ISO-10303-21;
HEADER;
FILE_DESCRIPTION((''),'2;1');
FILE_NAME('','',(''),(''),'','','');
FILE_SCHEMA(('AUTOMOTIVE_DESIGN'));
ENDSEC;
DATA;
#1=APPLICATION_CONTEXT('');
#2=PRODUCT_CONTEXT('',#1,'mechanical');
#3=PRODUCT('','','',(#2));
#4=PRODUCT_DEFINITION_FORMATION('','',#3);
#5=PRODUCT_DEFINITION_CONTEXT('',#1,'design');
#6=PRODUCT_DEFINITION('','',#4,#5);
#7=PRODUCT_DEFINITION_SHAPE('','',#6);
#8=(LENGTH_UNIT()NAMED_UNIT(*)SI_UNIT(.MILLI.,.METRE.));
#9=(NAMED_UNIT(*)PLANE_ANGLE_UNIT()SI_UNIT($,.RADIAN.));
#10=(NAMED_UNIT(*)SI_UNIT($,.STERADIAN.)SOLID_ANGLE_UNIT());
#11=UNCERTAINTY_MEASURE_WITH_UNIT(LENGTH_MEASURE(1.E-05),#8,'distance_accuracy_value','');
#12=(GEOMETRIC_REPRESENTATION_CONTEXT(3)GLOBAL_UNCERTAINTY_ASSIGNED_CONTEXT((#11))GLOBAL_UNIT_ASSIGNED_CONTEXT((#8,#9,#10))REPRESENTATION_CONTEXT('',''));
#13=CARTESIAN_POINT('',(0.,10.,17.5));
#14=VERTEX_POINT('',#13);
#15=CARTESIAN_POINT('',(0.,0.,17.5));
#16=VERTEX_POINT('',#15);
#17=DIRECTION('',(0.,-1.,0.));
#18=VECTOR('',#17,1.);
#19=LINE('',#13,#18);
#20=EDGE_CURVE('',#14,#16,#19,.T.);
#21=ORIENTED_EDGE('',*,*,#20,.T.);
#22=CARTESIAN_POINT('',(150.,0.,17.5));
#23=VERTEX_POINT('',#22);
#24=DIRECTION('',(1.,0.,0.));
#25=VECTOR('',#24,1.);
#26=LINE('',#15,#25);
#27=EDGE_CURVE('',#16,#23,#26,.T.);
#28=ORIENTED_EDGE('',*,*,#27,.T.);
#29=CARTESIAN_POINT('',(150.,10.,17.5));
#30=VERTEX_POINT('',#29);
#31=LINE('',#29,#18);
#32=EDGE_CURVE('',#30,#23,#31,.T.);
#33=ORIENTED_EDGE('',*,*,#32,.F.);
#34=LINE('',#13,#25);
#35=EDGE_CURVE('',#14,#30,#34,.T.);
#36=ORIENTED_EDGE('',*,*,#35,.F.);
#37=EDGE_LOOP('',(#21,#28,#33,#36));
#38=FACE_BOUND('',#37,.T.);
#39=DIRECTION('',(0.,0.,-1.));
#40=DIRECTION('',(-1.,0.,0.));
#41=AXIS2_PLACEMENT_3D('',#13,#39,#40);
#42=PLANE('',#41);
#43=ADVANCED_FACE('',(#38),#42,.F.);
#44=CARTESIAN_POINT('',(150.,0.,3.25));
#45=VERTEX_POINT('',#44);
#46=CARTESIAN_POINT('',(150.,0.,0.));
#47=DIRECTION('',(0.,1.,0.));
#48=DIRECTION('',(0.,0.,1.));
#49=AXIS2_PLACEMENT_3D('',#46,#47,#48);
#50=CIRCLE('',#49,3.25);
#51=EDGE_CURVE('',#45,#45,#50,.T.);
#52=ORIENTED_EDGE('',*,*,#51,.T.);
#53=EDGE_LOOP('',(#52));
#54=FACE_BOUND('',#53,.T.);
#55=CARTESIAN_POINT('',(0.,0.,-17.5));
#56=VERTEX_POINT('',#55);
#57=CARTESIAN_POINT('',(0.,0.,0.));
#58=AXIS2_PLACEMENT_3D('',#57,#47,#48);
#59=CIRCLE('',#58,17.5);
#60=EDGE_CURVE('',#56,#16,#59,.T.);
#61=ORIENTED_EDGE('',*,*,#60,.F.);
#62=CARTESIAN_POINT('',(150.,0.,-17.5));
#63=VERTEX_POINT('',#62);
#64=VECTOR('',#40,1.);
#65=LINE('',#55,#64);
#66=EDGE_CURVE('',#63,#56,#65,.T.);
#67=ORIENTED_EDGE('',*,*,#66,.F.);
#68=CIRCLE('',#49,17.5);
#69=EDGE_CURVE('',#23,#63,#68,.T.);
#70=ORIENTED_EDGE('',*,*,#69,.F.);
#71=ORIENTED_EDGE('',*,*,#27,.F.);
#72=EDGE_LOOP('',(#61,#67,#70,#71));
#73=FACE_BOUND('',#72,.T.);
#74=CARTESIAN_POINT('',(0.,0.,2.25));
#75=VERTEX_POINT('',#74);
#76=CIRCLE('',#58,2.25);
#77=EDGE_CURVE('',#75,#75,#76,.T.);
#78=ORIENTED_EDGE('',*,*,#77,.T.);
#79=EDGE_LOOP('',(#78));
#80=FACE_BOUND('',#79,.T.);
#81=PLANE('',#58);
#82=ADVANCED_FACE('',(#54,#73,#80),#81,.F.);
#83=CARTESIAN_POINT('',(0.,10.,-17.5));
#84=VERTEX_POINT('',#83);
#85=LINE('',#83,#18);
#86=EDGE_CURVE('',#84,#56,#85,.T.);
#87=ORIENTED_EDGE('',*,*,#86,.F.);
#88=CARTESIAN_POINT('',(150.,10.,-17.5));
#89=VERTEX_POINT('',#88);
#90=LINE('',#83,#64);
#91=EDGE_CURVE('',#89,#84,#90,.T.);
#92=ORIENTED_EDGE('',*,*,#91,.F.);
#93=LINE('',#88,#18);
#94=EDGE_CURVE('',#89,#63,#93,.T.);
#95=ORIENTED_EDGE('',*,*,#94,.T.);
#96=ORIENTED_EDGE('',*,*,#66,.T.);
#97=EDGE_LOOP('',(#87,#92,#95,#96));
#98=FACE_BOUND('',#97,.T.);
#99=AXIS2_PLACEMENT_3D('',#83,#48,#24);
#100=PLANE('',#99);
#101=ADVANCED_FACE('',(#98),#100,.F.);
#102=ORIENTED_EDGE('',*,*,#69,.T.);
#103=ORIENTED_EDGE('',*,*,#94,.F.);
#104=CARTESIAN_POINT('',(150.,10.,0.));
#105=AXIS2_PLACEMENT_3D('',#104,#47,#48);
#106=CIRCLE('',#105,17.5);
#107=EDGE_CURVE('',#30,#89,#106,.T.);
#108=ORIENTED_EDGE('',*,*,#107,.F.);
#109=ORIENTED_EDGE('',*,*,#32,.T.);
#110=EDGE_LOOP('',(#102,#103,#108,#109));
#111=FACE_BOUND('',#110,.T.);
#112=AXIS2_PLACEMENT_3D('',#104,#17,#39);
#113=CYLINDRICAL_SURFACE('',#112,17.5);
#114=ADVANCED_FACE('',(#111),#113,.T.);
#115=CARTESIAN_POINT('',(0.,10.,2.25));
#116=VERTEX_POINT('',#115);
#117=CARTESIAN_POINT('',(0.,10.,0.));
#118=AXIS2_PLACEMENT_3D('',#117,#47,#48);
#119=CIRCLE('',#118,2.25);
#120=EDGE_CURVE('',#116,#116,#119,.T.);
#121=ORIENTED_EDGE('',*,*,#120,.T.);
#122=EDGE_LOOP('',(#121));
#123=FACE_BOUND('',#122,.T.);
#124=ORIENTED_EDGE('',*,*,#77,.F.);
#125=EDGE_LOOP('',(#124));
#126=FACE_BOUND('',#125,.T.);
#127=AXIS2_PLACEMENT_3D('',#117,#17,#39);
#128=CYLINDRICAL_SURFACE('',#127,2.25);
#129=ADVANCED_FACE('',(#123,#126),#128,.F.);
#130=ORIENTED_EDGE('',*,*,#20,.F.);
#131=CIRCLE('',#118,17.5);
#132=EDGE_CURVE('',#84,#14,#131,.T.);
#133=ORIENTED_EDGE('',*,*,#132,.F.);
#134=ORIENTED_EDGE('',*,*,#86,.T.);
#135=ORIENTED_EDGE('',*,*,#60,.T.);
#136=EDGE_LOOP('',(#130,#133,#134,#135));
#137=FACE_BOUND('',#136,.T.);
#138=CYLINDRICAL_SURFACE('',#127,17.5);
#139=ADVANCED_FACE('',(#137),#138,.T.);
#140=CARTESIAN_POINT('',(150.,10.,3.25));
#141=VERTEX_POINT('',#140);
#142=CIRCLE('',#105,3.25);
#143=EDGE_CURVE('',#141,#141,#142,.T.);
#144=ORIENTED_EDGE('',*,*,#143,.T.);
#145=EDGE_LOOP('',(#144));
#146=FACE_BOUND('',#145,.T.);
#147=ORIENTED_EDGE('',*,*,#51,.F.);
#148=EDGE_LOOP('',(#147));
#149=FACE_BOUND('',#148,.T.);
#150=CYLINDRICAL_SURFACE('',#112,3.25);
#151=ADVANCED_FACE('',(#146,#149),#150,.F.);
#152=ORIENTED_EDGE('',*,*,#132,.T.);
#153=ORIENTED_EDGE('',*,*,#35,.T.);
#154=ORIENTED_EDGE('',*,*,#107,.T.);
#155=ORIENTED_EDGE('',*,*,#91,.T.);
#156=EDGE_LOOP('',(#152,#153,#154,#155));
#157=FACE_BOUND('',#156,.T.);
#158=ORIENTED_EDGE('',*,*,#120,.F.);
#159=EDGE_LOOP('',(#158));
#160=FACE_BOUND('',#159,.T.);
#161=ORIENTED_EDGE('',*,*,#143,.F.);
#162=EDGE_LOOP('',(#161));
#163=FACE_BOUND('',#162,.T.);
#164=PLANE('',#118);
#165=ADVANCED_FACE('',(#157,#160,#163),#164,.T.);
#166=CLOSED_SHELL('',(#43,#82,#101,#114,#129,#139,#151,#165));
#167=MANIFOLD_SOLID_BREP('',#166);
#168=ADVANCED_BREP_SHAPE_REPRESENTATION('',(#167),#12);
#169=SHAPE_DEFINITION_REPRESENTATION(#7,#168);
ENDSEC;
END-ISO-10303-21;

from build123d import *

# Parameters (mm, degrees)
SKETCH1_R           = 2.25
SKETCH1_R_2         = 3.25
BOSS_EXTRUDE1_DEPTH = 10


with BuildPart() as part:
    # Sketch1 → Boss-Extrude1 (new body)
    with BuildSketch(Plane(origin=(0, 0, 0), x_dir=(1, 0, 0), z_dir=(0, 1, 0))):
        with BuildLine():
            Line((0, 17.5), (150, 17.5))
            ThreePointArc((150, 17.5), (167.5, 0), (150, -17.5))
            Line((150, -17.5), (0, -17.5))
            ThreePointArc((0, -17.5), (-17.5, 0), (0, 17.5))
        make_face()
        with Locations(Location((0, 0, 0), (0, 0, 270))):
            Circle(SKETCH1_R, mode=Mode.SUBTRACT)
        with Locations(Location((150, 0, 0), (0, 0, 270))):
            Circle(SKETCH1_R_2, mode=Mode.SUBTRACT)
    extrude(amount=BOSS_EXTRUDE1_DEPTH)


solid = part.part
